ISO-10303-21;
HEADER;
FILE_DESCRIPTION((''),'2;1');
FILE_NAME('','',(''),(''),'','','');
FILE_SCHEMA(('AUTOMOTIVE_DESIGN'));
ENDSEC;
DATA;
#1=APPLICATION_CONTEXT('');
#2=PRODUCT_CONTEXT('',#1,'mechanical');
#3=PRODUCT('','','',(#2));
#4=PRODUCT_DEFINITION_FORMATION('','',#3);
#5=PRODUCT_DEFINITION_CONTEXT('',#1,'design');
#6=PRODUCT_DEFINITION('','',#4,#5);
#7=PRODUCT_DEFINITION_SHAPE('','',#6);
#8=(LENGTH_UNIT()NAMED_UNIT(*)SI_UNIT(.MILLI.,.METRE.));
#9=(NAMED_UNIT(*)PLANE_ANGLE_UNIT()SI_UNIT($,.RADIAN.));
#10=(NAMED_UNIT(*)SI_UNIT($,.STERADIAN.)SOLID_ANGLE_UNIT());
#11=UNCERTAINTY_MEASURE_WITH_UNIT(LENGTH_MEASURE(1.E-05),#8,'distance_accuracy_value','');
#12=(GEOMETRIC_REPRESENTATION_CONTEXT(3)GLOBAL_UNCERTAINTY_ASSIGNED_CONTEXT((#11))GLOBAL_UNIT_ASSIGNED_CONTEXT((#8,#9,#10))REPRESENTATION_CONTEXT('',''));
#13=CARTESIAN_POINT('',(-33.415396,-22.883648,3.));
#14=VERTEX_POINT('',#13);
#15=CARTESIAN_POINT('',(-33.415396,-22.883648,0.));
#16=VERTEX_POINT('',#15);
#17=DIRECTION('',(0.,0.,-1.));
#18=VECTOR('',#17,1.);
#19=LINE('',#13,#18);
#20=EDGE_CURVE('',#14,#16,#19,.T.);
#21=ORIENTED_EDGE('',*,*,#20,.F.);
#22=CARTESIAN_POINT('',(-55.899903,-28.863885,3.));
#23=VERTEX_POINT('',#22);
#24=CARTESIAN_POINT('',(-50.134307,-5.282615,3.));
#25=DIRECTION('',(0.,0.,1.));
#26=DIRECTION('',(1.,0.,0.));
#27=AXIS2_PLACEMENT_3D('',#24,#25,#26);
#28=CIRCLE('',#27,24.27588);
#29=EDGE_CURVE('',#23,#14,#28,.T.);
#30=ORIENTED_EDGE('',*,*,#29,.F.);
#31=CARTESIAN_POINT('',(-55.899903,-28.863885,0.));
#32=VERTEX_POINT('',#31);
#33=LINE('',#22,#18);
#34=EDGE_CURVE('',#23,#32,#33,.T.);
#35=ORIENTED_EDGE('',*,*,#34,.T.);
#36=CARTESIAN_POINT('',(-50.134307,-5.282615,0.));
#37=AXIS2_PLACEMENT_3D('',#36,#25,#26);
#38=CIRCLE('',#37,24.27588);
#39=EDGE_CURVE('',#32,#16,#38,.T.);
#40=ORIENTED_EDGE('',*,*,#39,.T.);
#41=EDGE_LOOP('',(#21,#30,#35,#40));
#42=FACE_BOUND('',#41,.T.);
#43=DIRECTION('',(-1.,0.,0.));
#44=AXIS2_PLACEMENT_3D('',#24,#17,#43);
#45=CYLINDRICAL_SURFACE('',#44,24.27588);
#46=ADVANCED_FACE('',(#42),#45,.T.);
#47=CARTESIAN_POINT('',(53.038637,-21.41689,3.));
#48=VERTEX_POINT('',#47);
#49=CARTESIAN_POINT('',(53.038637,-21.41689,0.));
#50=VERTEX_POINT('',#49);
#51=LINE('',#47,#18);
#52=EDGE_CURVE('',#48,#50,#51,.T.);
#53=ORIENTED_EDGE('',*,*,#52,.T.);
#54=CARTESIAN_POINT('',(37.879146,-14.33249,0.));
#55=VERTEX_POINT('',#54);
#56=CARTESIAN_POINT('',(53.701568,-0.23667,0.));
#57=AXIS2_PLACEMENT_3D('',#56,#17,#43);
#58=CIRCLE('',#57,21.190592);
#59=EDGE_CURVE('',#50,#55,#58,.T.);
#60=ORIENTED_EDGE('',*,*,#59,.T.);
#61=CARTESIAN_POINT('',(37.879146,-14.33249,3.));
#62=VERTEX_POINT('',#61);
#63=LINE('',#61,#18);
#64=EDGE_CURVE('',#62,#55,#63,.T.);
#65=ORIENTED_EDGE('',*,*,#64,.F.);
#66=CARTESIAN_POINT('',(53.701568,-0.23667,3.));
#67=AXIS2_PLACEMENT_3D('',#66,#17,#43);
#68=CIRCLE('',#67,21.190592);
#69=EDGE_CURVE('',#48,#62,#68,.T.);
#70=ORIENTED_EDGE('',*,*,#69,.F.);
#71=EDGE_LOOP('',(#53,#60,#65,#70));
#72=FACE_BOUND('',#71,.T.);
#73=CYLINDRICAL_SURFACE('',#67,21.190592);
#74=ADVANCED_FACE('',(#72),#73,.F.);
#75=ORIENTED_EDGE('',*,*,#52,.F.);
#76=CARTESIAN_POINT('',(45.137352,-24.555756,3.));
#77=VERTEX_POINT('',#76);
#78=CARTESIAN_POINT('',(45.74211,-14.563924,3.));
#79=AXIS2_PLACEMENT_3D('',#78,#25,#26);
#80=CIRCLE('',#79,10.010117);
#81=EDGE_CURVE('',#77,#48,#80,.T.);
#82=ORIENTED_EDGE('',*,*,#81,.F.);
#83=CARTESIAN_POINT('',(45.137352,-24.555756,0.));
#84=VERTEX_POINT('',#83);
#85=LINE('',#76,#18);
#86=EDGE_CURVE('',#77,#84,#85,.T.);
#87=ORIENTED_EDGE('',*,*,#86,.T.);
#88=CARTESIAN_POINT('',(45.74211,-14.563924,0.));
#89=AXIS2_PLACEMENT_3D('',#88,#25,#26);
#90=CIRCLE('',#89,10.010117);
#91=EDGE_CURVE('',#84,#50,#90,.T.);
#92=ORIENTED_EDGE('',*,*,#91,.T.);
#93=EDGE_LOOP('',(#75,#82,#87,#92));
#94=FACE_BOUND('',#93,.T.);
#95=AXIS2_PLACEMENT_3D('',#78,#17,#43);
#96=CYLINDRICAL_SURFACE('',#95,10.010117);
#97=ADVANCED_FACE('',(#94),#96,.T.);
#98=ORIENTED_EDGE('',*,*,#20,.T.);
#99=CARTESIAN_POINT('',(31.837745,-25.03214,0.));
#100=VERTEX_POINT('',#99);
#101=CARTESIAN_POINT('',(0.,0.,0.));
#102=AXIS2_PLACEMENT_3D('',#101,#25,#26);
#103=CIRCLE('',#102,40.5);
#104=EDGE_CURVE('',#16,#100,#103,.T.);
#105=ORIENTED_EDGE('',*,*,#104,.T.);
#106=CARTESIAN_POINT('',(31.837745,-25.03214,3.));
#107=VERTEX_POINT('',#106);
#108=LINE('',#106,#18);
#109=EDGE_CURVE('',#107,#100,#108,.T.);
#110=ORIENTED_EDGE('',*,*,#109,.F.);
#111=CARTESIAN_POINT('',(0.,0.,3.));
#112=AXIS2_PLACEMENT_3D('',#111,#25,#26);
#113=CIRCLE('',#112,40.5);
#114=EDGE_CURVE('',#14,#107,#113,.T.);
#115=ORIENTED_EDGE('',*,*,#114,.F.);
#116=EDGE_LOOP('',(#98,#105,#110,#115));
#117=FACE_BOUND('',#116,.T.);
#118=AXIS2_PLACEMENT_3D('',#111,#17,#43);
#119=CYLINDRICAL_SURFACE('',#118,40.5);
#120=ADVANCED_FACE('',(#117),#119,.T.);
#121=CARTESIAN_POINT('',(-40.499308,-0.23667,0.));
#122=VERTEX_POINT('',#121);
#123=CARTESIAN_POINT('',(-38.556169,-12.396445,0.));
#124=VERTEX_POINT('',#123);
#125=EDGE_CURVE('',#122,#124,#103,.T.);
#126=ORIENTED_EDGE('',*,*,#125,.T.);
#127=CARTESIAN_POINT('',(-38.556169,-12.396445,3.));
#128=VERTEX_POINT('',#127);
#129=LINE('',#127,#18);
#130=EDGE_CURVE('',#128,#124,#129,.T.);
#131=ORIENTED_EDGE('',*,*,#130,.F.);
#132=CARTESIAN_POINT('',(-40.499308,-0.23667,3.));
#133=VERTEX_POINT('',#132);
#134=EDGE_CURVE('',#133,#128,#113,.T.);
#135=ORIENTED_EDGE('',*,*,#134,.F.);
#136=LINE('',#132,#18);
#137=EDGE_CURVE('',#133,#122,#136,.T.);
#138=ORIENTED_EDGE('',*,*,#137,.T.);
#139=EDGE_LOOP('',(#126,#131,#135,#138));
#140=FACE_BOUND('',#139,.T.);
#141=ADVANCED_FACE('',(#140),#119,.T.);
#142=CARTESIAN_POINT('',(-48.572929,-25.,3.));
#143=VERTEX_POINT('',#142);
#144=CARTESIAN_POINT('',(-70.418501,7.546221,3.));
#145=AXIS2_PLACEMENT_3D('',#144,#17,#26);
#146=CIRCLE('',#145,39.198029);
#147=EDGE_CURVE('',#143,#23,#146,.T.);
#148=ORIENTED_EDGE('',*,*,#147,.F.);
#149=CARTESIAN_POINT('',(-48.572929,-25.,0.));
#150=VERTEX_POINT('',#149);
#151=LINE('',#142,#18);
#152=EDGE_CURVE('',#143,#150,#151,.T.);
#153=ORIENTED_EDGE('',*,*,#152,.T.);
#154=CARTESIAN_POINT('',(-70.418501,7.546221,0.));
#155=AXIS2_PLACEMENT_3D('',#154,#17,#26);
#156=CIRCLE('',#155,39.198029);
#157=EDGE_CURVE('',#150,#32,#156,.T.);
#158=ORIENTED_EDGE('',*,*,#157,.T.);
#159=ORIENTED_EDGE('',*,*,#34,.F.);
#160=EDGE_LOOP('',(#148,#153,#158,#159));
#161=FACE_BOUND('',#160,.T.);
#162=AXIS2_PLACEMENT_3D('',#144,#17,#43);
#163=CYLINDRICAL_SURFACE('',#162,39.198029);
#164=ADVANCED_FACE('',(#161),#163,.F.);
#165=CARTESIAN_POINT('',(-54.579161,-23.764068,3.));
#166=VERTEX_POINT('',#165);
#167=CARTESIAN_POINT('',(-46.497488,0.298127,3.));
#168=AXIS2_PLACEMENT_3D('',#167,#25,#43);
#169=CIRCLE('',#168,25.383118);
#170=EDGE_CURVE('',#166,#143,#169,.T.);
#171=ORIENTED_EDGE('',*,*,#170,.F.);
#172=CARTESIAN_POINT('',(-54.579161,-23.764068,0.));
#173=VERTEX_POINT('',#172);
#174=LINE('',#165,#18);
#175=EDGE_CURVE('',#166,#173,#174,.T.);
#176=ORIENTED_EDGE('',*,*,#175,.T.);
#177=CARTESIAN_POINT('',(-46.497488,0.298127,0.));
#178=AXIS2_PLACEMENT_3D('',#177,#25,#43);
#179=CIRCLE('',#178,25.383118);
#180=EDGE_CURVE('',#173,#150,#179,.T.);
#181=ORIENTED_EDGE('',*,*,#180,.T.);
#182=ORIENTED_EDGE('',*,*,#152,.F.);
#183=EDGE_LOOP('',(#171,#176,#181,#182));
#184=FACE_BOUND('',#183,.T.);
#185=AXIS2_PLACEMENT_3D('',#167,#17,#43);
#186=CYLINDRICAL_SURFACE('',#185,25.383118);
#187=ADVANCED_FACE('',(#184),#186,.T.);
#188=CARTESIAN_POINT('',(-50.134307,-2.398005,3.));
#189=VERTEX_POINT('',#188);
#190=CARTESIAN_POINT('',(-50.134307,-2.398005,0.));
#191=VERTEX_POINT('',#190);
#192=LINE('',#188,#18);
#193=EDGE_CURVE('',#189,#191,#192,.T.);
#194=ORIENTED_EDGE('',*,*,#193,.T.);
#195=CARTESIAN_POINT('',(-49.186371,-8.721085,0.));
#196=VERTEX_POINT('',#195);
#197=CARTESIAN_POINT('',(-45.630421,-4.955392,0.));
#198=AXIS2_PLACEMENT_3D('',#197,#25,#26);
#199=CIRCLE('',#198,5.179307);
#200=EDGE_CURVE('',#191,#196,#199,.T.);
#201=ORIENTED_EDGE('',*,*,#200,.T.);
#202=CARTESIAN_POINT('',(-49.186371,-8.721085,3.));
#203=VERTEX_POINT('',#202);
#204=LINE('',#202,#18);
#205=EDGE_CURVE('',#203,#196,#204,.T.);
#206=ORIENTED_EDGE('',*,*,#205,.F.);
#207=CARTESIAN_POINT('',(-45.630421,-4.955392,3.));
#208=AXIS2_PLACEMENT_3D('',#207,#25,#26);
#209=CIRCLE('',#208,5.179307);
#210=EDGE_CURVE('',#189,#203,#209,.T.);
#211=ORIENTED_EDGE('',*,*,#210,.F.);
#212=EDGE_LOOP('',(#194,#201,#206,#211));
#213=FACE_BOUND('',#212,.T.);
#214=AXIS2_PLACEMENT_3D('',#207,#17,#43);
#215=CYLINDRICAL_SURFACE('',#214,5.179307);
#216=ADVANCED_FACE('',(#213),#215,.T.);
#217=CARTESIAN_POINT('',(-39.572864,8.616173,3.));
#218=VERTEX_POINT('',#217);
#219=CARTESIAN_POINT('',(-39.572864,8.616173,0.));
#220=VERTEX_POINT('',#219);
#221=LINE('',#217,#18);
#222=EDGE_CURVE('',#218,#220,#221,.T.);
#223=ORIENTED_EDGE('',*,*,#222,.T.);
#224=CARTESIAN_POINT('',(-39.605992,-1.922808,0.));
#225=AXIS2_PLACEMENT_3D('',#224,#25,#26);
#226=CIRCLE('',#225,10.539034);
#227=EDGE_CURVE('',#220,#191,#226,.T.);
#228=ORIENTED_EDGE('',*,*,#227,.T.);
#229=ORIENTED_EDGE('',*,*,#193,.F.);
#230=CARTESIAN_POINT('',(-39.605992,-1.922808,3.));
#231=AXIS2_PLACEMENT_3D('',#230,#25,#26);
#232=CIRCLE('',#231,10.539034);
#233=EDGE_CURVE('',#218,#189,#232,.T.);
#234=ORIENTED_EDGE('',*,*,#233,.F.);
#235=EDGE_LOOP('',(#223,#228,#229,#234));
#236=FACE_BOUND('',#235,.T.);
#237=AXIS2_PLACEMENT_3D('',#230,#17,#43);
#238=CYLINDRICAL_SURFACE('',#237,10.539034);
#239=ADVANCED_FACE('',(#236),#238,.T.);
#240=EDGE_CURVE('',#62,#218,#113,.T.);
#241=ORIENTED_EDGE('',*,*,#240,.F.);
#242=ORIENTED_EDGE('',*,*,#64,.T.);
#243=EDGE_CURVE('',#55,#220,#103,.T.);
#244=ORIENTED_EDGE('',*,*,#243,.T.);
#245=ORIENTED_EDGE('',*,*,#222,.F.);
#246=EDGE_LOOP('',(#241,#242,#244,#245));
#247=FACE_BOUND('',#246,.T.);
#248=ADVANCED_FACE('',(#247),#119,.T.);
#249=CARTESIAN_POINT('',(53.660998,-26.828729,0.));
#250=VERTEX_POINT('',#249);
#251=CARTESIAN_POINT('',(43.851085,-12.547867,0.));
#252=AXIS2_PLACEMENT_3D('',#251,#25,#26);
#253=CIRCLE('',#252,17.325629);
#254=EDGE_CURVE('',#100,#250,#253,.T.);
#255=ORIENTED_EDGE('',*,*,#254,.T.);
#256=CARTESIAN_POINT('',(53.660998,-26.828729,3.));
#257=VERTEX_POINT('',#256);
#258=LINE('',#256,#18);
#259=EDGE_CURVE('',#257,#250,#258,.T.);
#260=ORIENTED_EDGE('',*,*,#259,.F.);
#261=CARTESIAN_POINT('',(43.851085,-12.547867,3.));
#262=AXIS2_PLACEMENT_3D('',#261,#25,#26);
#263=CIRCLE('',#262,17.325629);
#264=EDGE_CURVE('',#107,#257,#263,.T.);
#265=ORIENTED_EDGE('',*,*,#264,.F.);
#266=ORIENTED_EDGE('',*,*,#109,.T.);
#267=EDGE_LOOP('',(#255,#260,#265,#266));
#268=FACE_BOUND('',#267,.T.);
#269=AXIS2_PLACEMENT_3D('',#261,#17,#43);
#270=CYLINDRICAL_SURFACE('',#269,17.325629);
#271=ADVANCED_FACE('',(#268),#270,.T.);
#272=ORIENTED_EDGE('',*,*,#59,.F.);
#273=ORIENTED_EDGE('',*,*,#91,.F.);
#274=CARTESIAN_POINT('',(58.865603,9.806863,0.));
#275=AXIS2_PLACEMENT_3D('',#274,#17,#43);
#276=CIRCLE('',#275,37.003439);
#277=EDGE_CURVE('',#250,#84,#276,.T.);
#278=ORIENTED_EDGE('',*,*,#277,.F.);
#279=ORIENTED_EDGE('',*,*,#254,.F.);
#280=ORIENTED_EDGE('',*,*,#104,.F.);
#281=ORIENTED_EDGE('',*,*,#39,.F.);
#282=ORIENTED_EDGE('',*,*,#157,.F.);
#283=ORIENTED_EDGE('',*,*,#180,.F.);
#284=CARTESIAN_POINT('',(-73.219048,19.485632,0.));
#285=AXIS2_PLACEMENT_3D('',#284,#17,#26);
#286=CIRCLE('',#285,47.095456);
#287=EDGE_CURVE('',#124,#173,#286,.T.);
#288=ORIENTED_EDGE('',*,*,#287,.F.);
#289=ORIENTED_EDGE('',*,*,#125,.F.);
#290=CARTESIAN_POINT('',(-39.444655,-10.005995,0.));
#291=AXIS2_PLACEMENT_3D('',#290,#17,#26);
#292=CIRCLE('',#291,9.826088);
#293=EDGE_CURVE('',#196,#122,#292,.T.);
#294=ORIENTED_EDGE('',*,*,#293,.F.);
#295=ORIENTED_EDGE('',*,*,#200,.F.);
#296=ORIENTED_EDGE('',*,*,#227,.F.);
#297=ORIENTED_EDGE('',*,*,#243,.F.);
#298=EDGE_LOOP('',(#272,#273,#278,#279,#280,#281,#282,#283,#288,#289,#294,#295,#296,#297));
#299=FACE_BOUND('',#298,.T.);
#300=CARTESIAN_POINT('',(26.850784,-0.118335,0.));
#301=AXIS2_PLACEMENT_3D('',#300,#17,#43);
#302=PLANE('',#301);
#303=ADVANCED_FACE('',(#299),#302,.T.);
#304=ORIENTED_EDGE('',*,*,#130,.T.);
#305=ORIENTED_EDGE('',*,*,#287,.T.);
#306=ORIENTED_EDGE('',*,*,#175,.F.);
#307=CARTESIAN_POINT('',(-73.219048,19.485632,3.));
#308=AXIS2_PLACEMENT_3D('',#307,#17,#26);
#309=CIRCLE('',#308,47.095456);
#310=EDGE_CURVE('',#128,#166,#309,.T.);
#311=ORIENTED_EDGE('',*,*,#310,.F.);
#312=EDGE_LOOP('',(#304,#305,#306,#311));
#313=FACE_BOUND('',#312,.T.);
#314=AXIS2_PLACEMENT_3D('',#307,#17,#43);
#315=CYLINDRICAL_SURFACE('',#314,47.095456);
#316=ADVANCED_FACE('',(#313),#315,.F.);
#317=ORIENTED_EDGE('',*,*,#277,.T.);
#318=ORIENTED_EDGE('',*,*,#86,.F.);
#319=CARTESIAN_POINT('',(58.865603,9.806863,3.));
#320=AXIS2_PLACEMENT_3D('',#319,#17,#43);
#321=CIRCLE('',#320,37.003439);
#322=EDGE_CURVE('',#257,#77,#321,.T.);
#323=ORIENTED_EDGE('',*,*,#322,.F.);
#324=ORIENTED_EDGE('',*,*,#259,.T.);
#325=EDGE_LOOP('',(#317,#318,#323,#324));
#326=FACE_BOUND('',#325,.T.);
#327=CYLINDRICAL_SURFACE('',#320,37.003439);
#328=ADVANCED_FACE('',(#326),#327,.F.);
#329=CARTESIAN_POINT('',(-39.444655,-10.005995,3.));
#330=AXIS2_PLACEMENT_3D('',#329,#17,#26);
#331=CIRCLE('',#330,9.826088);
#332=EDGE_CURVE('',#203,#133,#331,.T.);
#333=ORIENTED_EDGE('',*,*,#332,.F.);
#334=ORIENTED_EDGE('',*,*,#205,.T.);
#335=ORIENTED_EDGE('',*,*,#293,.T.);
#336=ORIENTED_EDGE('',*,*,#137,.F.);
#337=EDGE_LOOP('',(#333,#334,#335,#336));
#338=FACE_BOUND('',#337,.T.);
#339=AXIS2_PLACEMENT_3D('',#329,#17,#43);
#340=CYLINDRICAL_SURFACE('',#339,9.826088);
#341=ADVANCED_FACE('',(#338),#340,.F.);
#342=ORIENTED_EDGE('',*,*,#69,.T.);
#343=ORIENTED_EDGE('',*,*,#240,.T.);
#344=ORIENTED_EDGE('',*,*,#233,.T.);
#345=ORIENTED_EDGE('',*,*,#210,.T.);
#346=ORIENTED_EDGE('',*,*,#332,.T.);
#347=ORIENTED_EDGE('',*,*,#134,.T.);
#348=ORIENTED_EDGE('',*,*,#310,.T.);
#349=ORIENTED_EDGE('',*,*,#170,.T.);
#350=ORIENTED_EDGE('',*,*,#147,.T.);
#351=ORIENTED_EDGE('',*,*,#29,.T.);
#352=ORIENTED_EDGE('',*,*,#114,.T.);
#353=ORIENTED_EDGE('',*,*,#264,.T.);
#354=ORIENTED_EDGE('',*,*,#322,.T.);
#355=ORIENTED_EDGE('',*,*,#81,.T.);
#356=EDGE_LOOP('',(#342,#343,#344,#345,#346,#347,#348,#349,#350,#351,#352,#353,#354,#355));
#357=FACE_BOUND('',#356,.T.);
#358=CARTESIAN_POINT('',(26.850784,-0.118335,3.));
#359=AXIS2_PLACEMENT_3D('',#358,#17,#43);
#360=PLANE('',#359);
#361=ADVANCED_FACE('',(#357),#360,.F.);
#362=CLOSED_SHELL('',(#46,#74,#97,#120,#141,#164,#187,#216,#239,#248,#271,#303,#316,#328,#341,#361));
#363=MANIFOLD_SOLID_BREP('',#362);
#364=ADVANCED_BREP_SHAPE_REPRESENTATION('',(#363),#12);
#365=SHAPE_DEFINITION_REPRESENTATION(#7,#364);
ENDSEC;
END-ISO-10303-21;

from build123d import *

# Parameters (mm, degrees)
BOSS_EXTRUDE1_DEPTH = 3


with BuildPart() as part:
    # Sketch1 → Boss-Extrude1 (new body)
    with BuildSketch(Plane.XY):
        with BuildLine():
            ThreePointArc((-33.415395542, -22.883647891), (-1.332760204, -40.478065051), (31.837744667, -25.032139631))
            ThreePointArc((31.837744667, -25.032139631), (42.429569674, -29.815081636), (53.66099822, -26.828728675))
            ThreePointArc((53.66099822, -26.828728675), (49.331198922, -25.947152532), (45.137351659, -24.555756259))
            ThreePointArc((45.137351659, -24.555756259), (49.437791518, -23.866847227), (53.038636725, -21.416889589))
            ThreePointArc((53.038636725, -21.416889589), (44.73000771, -19.434385597), (37.879146269, -14.332490292))
            ThreePointArc((37.879146269, -14.332490292), (11.505540341, 38.831334531), (-39.572863934, 8.616173169))
            ThreePointArc((-39.572863934, 8.616173169), (-47.212914381, 5.371433585), (-50.134307409, -2.398004527))
            ThreePointArc((-50.134307409, -2.398004527), (-50.75248884, -5.72327668), (-49.186370781, -8.721085446))
            ThreePointArc((-49.186370781, -8.721085446), (-46.310274165, -2.976393999), (-40.499308481, -0.236669673))
            ThreePointArc((-40.499308481, -0.236669673), (-39.99258879, -6.390840467), (-38.556168915, -12.396444595))
            ThreePointArc((-38.556168915, -12.396444595), (-45.968324298, -18.925044219), (-54.579160775, -23.764068463))
            ThreePointArc((-54.579160775, -23.764068463), (-51.613504277, -24.564074489), (-48.572929157, -25))
            ThreePointArc((-48.572929157, -25), (-52.134064431, -27.12602852), (-55.899902615, -28.863884809))
            ThreePointArc((-55.899902615, -28.863884809), (-43.894548209, -28.742874568), (-33.415395542, -22.883647891))
        make_face()
    extrude(amount=BOSS_EXTRUDE1_DEPTH)


solid = part.part
